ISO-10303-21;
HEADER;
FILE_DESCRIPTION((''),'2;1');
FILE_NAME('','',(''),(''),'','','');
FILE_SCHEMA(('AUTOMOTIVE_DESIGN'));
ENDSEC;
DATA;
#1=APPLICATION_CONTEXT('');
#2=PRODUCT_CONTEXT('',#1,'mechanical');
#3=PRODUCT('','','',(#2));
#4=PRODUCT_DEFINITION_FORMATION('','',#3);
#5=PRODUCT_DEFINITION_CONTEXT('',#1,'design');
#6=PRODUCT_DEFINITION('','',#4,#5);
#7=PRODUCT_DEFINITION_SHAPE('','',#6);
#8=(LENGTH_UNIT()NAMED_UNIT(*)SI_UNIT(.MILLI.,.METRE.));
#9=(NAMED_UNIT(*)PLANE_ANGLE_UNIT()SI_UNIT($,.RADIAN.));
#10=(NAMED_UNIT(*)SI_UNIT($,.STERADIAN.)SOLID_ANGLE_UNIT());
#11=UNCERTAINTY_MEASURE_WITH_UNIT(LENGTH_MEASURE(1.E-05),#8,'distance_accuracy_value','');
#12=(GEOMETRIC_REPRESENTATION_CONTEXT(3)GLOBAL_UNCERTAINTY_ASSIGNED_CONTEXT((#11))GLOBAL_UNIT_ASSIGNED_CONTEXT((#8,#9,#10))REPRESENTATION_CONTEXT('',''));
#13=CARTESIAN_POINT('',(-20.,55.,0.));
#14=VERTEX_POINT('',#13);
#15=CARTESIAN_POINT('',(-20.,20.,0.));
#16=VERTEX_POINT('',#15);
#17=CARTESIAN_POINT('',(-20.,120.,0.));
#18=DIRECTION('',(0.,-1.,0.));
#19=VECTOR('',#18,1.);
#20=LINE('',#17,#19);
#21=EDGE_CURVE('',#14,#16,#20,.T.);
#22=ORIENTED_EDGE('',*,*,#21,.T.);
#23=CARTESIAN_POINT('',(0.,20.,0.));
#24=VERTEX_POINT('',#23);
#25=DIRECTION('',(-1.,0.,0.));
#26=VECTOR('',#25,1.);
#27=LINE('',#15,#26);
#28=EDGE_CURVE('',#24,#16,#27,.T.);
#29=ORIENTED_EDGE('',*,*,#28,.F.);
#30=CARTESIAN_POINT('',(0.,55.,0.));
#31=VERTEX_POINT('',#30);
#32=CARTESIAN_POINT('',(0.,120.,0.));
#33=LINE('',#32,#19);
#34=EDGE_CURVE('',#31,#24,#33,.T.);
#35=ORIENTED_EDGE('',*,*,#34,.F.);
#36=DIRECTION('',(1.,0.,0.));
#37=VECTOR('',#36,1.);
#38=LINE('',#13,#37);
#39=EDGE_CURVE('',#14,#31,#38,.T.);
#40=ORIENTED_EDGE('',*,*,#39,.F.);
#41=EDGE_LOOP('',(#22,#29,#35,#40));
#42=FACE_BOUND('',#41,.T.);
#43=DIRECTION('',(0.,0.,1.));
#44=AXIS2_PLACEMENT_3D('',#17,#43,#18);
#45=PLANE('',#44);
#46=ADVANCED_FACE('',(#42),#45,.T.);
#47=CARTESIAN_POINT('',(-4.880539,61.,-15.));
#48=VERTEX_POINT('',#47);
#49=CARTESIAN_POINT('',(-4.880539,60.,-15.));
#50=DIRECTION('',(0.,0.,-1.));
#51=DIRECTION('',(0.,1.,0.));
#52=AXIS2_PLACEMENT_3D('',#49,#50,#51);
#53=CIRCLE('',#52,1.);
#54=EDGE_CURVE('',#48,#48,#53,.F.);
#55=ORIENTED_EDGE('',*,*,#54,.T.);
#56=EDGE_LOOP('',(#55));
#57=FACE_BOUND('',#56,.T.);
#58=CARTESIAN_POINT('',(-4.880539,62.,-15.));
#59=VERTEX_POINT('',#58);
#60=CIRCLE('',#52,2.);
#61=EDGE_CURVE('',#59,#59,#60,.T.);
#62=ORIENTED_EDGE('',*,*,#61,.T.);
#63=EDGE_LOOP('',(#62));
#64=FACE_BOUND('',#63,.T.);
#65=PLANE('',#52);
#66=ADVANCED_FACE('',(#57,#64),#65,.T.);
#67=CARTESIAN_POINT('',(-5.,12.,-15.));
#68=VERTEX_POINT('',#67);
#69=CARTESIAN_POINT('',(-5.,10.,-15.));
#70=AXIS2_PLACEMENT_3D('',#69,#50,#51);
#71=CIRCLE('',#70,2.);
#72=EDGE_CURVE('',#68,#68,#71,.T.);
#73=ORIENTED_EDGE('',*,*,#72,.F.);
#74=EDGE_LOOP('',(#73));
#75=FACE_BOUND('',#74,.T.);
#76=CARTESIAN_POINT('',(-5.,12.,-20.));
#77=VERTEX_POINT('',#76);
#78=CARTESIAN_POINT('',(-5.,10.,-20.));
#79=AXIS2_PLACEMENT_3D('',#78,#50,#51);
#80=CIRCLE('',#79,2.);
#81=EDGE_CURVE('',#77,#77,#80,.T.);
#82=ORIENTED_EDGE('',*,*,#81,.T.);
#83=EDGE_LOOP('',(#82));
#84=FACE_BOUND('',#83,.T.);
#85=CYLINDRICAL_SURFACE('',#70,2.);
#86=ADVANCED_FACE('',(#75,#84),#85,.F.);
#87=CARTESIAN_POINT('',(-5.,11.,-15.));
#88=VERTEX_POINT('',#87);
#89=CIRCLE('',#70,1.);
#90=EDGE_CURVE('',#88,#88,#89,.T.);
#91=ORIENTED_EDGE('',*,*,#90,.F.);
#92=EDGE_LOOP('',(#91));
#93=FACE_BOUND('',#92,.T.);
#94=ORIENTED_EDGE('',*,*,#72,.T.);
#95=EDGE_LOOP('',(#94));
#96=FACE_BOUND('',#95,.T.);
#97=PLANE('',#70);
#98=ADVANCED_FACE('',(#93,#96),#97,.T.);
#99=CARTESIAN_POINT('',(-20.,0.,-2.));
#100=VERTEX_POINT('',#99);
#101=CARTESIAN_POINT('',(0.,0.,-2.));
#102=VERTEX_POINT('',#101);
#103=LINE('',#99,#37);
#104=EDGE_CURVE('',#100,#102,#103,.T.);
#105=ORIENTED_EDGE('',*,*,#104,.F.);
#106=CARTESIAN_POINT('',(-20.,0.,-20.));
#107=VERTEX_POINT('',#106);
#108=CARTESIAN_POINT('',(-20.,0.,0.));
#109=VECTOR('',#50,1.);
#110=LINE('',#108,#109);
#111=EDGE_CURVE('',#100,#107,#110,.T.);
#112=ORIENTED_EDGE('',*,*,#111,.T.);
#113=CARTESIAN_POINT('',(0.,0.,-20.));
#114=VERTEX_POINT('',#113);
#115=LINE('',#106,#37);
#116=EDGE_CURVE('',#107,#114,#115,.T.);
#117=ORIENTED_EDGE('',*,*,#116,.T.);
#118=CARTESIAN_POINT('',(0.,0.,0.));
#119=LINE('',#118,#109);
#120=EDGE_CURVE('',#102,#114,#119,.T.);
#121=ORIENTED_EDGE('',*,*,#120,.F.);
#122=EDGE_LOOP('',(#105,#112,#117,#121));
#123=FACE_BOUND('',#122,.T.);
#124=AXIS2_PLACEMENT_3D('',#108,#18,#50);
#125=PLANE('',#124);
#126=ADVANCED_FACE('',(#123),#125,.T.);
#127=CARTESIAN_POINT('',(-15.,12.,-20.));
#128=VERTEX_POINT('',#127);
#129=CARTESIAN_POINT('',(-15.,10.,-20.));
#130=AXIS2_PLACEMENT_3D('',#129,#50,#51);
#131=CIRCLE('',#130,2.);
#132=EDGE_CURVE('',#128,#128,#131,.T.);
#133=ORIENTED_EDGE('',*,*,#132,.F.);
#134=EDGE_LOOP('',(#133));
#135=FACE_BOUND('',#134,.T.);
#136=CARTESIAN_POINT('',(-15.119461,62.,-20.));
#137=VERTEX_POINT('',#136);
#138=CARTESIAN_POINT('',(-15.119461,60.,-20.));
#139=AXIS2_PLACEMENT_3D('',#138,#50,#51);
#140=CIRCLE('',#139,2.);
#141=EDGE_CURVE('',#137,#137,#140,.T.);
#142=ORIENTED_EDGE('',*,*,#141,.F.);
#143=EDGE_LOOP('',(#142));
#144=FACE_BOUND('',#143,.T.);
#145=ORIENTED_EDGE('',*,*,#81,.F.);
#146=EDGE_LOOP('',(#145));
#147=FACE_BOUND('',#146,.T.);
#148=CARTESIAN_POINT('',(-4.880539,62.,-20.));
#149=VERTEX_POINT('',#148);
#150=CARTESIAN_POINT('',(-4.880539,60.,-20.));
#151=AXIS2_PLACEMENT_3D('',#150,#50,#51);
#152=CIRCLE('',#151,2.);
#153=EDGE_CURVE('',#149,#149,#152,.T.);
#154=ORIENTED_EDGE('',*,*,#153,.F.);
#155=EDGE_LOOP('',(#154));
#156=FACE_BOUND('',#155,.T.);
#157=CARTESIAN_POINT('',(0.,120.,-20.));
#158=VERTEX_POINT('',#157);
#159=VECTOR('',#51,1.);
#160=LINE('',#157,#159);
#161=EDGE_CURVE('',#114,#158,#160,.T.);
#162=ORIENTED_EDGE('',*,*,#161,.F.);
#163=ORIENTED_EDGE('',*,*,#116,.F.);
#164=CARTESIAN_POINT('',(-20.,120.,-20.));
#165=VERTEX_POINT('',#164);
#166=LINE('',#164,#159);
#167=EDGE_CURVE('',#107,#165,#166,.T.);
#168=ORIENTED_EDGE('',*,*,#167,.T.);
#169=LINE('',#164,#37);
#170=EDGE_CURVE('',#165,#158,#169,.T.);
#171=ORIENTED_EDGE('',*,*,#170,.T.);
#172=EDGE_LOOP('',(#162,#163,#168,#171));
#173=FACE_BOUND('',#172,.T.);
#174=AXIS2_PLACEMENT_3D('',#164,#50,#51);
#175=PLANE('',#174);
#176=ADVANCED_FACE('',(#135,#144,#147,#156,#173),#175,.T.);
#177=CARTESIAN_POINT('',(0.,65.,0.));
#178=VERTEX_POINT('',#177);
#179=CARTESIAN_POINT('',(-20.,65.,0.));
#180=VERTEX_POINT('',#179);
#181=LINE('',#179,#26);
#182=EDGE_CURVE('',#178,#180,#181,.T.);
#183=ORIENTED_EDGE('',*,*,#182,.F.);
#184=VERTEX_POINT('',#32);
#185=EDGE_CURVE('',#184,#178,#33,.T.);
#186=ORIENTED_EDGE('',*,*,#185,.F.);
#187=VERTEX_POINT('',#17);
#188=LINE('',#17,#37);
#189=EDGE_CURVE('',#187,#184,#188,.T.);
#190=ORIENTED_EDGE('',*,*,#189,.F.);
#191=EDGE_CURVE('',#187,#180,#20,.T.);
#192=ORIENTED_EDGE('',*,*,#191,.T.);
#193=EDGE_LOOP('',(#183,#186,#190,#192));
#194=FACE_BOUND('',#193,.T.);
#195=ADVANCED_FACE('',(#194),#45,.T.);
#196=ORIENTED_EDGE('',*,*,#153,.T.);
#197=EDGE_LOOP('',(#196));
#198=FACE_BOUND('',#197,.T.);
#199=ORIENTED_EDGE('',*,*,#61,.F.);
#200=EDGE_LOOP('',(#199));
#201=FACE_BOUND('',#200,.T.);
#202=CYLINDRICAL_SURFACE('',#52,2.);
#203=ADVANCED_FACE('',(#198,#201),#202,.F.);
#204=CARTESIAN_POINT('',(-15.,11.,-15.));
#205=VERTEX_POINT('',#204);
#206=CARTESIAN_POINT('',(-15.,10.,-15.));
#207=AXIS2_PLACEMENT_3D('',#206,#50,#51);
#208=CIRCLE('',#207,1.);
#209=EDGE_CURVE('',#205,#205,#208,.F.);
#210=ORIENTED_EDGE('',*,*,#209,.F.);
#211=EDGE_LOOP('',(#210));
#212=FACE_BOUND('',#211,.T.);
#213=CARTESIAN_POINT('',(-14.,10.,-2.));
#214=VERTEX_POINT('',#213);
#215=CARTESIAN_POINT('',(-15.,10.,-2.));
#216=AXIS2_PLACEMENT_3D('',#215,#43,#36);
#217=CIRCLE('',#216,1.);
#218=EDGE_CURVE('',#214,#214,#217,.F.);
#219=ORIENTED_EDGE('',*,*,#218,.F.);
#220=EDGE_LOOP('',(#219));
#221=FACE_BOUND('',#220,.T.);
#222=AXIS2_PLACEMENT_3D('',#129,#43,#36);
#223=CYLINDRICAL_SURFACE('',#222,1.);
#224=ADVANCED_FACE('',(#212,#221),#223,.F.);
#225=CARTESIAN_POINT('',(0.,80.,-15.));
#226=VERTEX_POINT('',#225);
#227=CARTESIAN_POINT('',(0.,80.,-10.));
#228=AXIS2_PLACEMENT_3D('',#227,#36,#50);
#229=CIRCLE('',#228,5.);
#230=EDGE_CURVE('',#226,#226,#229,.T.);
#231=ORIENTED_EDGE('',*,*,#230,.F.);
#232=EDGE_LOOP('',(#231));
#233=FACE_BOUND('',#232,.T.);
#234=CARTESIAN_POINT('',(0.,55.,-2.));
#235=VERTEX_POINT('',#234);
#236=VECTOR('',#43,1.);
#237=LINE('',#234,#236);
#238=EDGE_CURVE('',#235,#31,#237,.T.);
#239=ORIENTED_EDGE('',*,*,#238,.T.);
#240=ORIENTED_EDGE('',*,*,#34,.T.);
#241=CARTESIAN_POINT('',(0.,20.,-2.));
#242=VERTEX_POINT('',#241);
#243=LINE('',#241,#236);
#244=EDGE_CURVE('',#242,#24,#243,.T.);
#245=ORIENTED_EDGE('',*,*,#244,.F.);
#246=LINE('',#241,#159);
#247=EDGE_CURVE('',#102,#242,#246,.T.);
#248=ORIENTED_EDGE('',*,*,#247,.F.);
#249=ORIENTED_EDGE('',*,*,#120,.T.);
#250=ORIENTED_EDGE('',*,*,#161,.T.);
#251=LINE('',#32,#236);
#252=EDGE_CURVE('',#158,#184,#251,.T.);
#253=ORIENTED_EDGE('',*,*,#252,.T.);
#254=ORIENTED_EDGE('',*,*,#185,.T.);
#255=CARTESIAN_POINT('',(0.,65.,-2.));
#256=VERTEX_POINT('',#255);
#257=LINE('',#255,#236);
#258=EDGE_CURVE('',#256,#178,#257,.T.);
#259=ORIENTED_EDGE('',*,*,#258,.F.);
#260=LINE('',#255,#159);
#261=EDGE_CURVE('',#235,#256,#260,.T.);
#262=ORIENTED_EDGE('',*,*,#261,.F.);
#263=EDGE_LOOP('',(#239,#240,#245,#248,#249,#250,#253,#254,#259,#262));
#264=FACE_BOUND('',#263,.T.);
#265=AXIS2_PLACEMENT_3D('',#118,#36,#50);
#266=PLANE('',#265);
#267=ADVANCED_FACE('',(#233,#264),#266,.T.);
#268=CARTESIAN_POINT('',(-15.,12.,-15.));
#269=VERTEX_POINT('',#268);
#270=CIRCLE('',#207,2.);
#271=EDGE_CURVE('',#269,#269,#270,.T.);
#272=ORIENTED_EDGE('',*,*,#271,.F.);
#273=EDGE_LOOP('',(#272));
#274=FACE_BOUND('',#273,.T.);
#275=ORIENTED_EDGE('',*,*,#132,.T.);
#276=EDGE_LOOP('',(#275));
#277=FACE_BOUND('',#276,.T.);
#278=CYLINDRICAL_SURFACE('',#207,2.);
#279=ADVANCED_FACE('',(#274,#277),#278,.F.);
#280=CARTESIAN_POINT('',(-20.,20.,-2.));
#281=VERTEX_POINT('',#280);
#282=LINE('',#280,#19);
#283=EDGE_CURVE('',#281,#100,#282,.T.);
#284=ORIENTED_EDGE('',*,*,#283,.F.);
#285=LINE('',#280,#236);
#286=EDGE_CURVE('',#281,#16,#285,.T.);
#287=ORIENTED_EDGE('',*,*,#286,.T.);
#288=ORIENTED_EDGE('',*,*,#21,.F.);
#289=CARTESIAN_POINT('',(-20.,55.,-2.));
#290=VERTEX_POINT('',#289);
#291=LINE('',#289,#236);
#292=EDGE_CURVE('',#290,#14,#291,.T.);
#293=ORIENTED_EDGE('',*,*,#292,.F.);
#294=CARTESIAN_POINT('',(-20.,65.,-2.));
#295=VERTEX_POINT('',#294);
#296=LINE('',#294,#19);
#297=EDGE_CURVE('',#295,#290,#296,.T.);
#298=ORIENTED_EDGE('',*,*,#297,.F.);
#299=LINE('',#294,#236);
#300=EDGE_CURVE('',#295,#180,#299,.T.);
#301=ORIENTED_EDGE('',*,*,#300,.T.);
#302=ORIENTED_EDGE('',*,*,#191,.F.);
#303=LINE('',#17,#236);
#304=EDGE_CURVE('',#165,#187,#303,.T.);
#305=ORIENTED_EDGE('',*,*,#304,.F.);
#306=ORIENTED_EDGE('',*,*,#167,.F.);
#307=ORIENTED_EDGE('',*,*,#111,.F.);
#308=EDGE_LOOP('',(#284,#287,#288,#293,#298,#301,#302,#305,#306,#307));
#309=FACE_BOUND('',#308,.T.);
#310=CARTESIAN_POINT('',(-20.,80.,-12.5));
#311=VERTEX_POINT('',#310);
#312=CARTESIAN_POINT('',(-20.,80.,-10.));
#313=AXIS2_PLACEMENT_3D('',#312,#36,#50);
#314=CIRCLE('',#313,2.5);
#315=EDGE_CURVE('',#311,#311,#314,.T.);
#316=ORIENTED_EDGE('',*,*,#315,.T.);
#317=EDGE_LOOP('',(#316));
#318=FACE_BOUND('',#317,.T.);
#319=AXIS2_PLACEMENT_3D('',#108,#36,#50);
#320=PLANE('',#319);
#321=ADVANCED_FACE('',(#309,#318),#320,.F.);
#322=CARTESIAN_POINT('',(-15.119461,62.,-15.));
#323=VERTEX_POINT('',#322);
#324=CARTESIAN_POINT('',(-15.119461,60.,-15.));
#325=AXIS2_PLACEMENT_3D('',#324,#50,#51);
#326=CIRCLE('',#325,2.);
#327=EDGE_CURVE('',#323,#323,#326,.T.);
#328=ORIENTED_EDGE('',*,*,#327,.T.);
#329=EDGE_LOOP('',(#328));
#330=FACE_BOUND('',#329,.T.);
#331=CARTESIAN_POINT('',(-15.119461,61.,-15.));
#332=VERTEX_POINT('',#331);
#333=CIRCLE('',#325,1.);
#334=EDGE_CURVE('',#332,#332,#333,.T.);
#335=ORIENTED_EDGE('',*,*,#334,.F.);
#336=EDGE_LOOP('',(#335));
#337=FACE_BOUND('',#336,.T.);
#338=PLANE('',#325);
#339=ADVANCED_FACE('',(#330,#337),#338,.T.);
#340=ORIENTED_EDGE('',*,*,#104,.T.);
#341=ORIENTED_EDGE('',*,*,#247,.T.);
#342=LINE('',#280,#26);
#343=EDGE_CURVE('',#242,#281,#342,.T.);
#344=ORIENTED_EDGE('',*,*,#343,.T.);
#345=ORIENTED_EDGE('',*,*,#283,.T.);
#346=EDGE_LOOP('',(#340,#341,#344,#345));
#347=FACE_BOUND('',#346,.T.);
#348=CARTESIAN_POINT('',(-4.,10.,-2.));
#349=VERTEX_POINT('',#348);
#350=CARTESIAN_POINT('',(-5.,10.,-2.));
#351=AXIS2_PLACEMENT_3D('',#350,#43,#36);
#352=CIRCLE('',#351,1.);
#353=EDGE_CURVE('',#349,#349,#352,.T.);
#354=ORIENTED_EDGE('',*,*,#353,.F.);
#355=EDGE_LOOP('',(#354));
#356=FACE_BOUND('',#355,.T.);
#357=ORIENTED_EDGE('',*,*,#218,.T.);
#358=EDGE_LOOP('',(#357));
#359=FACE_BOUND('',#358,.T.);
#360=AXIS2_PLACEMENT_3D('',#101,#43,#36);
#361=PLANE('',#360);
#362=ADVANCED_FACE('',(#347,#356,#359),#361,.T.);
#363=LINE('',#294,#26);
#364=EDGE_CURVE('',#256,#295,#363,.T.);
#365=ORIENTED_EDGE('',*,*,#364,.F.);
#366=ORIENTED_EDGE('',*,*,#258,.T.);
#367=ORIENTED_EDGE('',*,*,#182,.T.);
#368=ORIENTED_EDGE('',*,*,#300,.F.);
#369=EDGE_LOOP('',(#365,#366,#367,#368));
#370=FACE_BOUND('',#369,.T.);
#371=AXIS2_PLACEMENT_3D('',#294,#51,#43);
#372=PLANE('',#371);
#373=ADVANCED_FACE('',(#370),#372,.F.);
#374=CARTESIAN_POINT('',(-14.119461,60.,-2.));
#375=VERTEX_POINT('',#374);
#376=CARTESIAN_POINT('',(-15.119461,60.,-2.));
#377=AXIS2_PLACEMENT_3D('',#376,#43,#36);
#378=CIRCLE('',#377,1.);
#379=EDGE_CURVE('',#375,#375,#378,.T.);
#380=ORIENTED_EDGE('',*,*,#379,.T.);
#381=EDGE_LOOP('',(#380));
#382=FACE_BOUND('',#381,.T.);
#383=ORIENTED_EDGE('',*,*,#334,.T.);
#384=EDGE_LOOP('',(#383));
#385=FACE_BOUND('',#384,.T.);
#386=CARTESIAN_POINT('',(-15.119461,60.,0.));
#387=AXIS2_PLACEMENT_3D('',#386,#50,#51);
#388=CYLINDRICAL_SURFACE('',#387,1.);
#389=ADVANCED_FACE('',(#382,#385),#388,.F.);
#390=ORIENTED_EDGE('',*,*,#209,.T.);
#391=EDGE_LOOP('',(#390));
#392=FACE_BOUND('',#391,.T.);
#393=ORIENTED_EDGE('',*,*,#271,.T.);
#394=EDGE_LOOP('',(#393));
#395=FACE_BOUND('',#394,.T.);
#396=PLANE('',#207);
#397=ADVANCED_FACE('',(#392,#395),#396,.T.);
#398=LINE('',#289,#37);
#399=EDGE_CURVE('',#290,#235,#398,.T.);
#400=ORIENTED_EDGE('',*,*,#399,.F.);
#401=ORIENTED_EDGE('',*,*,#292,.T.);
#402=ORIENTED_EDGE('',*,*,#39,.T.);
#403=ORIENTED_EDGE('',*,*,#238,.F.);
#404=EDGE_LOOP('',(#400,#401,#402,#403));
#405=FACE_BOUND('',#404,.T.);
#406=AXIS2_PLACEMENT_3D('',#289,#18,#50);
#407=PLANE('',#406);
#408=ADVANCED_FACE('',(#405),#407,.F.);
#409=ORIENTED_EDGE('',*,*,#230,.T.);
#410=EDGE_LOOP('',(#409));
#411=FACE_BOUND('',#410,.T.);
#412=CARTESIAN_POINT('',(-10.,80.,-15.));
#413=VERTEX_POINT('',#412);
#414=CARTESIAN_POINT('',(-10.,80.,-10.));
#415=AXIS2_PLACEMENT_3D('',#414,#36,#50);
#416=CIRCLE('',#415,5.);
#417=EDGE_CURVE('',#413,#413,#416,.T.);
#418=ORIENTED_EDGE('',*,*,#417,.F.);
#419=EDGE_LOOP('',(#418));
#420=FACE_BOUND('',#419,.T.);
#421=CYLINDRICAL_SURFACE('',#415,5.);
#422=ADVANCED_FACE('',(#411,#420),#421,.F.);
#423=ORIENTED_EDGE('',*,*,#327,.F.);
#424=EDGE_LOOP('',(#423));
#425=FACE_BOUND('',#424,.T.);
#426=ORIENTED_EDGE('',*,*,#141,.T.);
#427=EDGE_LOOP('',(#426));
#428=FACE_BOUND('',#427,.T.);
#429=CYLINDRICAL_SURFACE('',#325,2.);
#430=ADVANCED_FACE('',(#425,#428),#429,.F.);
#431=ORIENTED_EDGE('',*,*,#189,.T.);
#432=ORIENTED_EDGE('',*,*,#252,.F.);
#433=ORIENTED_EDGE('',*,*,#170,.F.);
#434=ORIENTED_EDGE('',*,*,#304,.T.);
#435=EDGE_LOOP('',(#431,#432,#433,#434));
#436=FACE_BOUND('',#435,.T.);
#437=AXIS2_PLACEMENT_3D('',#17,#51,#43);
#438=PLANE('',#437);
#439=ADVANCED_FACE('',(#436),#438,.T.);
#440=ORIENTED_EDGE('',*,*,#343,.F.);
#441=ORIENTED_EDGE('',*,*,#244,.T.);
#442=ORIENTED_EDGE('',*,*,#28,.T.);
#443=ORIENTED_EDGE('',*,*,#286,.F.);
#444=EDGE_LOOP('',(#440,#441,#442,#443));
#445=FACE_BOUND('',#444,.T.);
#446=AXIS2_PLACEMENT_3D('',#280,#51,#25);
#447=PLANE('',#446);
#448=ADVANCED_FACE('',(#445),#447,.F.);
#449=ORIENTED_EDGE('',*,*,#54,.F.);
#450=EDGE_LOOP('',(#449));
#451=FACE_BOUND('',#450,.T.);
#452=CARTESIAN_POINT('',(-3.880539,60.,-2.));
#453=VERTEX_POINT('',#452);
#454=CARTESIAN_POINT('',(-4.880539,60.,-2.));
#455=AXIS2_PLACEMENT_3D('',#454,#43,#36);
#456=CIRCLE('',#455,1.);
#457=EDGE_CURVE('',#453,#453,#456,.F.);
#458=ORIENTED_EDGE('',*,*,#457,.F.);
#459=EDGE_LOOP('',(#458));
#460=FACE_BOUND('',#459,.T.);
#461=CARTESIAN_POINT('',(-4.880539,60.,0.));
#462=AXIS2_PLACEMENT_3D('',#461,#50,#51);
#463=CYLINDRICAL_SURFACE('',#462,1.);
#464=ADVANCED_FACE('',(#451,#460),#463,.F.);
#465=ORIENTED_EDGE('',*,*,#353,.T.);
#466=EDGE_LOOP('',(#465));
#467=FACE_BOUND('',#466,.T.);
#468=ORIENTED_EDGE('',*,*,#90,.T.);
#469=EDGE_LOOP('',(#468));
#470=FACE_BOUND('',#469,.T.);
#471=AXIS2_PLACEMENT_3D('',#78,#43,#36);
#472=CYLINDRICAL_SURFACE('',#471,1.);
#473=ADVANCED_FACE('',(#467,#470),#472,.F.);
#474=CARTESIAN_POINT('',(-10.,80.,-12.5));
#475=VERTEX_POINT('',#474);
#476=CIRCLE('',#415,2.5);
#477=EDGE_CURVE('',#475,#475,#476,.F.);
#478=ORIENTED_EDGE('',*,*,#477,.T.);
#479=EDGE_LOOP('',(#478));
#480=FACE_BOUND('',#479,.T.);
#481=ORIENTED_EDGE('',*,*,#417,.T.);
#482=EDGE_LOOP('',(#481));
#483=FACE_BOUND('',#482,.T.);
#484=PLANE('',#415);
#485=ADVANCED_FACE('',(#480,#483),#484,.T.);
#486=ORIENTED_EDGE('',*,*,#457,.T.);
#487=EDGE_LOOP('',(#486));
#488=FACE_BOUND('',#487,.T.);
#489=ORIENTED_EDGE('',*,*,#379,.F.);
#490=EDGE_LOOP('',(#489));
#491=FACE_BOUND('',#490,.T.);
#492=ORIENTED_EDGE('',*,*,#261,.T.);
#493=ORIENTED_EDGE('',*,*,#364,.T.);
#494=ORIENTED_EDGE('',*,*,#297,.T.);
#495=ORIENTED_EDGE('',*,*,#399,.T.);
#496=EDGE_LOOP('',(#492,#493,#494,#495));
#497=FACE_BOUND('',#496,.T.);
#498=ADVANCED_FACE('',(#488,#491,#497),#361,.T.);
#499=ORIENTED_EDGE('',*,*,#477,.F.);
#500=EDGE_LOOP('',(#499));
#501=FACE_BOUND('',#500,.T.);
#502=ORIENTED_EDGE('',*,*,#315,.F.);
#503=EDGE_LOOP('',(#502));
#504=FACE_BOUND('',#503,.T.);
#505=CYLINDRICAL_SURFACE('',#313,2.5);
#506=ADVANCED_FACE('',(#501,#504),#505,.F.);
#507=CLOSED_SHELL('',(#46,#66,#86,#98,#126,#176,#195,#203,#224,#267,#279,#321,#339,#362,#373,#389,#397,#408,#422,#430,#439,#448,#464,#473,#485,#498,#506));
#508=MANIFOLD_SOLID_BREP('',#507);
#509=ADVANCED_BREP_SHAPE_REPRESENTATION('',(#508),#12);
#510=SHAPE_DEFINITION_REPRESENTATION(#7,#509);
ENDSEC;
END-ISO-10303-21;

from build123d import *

# Parameters (mm, degrees)
SKETCH1_W           = 20
SKETCH1_H           = 120
SKETCH1_R           = 2.5
BOSS_EXTRUDE2_DEPTH = 20
SKETCH10_R          = 5
CUT_EXTRUDE1_DEPTH  = 10
SKETCH11_R          = 1
CUT_EXTRUDE2_DEPTH  = 21
SKETCH12_R          = 2
CUT_EXTRUDE3_DEPTH  = 5
SKETCH13_R          = 1
CUT_EXTRUDE4_DEPTH  = 21
SKETCH14_R          = 2
CUT_EXTRUDE5_DEPTH  = 5
SKETCH16_W          = 20
SKETCH16_H          = 10
SKETCH16_H_2        = 20
CUT_EXTRUDE6_DEPTH  = 2


with BuildPart() as part:
    # Sketch1 → Boss-Extrude2 (new body)
    with BuildSketch(Plane(origin=(0, 0, 0), x_dir=(0, 0, -1), z_dir=(1, 0, 0))):
        with Locations((10, 60)):
            Rectangle(SKETCH1_W, SKETCH1_H)
        with Locations((10, 80)):
            Circle(SKETCH1_R, mode=Mode.SUBTRACT)
    extrude(amount=-BOSS_EXTRUDE2_DEPTH)

    # Sketch10 → Cut-Extrude1 (cut)
    with BuildSketch(Plane(origin=(0, 0, 0), x_dir=(0, 0, -1), z_dir=(1, 0, 0))):
        with Locations((10, 80)):
            Circle(SKETCH10_R)
    extrude(amount=-CUT_EXTRUDE1_DEPTH, mode=Mode.SUBTRACT)

    # Sketch11 → Cut-Extrude2 (cut, through all)
    with BuildSketch(Plane.XY):
        with Locations((-15, 10)):
            Circle(SKETCH11_R)
        with Locations((-5, 10)):
            Circle(SKETCH11_R)
    extrude(amount=-CUT_EXTRUDE2_DEPTH, mode=Mode.SUBTRACT)

    # Sketch12 → Cut-Extrude3 (cut)
    with BuildSketch(Plane(origin=(0, 0, -20), x_dir=(-1, 0, 0), z_dir=(0, 0, -1))):
        with Locations((5, 10)):
            Circle(SKETCH12_R)
        with Locations((15, 10)):
            Circle(SKETCH12_R)
    extrude(amount=-CUT_EXTRUDE3_DEPTH, mode=Mode.SUBTRACT)

    # Sketch13 → Cut-Extrude4 (cut, through all)
    with BuildSketch(Plane(origin=(0, 0, -20), x_dir=(-1, 0, 0), z_dir=(0, 0, -1))):
        with Locations((4.880538742, 60)):
            Circle(SKETCH13_R)
        with Locations((15.119461258, 60)):
            Circle(SKETCH13_R)
    extrude(amount=-CUT_EXTRUDE4_DEPTH, mode=Mode.SUBTRACT)

    # Sketch14 → Cut-Extrude5 (cut)
    with BuildSketch(Plane(origin=(0, 0, -20), x_dir=(-1, 0, 0), z_dir=(0, 0, -1))):
        with Locations((4.880538742, 60)):
            Circle(SKETCH14_R)
        with Locations((15.119461258, 60)):
            Circle(SKETCH14_R)
    extrude(amount=-CUT_EXTRUDE5_DEPTH, mode=Mode.SUBTRACT)

    # Sketch16 → Cut-Extrude6 (cut)
    with BuildSketch(Plane.XY):
        with Locations((-10, 60)):
            Rectangle(SKETCH16_W, SKETCH16_H)
        with Locations((-10, 10)):
            Rectangle(SKETCH16_W, SKETCH16_H_2)
    extrude(amount=-CUT_EXTRUDE6_DEPTH, mode=Mode.SUBTRACT)


solid = part.part
